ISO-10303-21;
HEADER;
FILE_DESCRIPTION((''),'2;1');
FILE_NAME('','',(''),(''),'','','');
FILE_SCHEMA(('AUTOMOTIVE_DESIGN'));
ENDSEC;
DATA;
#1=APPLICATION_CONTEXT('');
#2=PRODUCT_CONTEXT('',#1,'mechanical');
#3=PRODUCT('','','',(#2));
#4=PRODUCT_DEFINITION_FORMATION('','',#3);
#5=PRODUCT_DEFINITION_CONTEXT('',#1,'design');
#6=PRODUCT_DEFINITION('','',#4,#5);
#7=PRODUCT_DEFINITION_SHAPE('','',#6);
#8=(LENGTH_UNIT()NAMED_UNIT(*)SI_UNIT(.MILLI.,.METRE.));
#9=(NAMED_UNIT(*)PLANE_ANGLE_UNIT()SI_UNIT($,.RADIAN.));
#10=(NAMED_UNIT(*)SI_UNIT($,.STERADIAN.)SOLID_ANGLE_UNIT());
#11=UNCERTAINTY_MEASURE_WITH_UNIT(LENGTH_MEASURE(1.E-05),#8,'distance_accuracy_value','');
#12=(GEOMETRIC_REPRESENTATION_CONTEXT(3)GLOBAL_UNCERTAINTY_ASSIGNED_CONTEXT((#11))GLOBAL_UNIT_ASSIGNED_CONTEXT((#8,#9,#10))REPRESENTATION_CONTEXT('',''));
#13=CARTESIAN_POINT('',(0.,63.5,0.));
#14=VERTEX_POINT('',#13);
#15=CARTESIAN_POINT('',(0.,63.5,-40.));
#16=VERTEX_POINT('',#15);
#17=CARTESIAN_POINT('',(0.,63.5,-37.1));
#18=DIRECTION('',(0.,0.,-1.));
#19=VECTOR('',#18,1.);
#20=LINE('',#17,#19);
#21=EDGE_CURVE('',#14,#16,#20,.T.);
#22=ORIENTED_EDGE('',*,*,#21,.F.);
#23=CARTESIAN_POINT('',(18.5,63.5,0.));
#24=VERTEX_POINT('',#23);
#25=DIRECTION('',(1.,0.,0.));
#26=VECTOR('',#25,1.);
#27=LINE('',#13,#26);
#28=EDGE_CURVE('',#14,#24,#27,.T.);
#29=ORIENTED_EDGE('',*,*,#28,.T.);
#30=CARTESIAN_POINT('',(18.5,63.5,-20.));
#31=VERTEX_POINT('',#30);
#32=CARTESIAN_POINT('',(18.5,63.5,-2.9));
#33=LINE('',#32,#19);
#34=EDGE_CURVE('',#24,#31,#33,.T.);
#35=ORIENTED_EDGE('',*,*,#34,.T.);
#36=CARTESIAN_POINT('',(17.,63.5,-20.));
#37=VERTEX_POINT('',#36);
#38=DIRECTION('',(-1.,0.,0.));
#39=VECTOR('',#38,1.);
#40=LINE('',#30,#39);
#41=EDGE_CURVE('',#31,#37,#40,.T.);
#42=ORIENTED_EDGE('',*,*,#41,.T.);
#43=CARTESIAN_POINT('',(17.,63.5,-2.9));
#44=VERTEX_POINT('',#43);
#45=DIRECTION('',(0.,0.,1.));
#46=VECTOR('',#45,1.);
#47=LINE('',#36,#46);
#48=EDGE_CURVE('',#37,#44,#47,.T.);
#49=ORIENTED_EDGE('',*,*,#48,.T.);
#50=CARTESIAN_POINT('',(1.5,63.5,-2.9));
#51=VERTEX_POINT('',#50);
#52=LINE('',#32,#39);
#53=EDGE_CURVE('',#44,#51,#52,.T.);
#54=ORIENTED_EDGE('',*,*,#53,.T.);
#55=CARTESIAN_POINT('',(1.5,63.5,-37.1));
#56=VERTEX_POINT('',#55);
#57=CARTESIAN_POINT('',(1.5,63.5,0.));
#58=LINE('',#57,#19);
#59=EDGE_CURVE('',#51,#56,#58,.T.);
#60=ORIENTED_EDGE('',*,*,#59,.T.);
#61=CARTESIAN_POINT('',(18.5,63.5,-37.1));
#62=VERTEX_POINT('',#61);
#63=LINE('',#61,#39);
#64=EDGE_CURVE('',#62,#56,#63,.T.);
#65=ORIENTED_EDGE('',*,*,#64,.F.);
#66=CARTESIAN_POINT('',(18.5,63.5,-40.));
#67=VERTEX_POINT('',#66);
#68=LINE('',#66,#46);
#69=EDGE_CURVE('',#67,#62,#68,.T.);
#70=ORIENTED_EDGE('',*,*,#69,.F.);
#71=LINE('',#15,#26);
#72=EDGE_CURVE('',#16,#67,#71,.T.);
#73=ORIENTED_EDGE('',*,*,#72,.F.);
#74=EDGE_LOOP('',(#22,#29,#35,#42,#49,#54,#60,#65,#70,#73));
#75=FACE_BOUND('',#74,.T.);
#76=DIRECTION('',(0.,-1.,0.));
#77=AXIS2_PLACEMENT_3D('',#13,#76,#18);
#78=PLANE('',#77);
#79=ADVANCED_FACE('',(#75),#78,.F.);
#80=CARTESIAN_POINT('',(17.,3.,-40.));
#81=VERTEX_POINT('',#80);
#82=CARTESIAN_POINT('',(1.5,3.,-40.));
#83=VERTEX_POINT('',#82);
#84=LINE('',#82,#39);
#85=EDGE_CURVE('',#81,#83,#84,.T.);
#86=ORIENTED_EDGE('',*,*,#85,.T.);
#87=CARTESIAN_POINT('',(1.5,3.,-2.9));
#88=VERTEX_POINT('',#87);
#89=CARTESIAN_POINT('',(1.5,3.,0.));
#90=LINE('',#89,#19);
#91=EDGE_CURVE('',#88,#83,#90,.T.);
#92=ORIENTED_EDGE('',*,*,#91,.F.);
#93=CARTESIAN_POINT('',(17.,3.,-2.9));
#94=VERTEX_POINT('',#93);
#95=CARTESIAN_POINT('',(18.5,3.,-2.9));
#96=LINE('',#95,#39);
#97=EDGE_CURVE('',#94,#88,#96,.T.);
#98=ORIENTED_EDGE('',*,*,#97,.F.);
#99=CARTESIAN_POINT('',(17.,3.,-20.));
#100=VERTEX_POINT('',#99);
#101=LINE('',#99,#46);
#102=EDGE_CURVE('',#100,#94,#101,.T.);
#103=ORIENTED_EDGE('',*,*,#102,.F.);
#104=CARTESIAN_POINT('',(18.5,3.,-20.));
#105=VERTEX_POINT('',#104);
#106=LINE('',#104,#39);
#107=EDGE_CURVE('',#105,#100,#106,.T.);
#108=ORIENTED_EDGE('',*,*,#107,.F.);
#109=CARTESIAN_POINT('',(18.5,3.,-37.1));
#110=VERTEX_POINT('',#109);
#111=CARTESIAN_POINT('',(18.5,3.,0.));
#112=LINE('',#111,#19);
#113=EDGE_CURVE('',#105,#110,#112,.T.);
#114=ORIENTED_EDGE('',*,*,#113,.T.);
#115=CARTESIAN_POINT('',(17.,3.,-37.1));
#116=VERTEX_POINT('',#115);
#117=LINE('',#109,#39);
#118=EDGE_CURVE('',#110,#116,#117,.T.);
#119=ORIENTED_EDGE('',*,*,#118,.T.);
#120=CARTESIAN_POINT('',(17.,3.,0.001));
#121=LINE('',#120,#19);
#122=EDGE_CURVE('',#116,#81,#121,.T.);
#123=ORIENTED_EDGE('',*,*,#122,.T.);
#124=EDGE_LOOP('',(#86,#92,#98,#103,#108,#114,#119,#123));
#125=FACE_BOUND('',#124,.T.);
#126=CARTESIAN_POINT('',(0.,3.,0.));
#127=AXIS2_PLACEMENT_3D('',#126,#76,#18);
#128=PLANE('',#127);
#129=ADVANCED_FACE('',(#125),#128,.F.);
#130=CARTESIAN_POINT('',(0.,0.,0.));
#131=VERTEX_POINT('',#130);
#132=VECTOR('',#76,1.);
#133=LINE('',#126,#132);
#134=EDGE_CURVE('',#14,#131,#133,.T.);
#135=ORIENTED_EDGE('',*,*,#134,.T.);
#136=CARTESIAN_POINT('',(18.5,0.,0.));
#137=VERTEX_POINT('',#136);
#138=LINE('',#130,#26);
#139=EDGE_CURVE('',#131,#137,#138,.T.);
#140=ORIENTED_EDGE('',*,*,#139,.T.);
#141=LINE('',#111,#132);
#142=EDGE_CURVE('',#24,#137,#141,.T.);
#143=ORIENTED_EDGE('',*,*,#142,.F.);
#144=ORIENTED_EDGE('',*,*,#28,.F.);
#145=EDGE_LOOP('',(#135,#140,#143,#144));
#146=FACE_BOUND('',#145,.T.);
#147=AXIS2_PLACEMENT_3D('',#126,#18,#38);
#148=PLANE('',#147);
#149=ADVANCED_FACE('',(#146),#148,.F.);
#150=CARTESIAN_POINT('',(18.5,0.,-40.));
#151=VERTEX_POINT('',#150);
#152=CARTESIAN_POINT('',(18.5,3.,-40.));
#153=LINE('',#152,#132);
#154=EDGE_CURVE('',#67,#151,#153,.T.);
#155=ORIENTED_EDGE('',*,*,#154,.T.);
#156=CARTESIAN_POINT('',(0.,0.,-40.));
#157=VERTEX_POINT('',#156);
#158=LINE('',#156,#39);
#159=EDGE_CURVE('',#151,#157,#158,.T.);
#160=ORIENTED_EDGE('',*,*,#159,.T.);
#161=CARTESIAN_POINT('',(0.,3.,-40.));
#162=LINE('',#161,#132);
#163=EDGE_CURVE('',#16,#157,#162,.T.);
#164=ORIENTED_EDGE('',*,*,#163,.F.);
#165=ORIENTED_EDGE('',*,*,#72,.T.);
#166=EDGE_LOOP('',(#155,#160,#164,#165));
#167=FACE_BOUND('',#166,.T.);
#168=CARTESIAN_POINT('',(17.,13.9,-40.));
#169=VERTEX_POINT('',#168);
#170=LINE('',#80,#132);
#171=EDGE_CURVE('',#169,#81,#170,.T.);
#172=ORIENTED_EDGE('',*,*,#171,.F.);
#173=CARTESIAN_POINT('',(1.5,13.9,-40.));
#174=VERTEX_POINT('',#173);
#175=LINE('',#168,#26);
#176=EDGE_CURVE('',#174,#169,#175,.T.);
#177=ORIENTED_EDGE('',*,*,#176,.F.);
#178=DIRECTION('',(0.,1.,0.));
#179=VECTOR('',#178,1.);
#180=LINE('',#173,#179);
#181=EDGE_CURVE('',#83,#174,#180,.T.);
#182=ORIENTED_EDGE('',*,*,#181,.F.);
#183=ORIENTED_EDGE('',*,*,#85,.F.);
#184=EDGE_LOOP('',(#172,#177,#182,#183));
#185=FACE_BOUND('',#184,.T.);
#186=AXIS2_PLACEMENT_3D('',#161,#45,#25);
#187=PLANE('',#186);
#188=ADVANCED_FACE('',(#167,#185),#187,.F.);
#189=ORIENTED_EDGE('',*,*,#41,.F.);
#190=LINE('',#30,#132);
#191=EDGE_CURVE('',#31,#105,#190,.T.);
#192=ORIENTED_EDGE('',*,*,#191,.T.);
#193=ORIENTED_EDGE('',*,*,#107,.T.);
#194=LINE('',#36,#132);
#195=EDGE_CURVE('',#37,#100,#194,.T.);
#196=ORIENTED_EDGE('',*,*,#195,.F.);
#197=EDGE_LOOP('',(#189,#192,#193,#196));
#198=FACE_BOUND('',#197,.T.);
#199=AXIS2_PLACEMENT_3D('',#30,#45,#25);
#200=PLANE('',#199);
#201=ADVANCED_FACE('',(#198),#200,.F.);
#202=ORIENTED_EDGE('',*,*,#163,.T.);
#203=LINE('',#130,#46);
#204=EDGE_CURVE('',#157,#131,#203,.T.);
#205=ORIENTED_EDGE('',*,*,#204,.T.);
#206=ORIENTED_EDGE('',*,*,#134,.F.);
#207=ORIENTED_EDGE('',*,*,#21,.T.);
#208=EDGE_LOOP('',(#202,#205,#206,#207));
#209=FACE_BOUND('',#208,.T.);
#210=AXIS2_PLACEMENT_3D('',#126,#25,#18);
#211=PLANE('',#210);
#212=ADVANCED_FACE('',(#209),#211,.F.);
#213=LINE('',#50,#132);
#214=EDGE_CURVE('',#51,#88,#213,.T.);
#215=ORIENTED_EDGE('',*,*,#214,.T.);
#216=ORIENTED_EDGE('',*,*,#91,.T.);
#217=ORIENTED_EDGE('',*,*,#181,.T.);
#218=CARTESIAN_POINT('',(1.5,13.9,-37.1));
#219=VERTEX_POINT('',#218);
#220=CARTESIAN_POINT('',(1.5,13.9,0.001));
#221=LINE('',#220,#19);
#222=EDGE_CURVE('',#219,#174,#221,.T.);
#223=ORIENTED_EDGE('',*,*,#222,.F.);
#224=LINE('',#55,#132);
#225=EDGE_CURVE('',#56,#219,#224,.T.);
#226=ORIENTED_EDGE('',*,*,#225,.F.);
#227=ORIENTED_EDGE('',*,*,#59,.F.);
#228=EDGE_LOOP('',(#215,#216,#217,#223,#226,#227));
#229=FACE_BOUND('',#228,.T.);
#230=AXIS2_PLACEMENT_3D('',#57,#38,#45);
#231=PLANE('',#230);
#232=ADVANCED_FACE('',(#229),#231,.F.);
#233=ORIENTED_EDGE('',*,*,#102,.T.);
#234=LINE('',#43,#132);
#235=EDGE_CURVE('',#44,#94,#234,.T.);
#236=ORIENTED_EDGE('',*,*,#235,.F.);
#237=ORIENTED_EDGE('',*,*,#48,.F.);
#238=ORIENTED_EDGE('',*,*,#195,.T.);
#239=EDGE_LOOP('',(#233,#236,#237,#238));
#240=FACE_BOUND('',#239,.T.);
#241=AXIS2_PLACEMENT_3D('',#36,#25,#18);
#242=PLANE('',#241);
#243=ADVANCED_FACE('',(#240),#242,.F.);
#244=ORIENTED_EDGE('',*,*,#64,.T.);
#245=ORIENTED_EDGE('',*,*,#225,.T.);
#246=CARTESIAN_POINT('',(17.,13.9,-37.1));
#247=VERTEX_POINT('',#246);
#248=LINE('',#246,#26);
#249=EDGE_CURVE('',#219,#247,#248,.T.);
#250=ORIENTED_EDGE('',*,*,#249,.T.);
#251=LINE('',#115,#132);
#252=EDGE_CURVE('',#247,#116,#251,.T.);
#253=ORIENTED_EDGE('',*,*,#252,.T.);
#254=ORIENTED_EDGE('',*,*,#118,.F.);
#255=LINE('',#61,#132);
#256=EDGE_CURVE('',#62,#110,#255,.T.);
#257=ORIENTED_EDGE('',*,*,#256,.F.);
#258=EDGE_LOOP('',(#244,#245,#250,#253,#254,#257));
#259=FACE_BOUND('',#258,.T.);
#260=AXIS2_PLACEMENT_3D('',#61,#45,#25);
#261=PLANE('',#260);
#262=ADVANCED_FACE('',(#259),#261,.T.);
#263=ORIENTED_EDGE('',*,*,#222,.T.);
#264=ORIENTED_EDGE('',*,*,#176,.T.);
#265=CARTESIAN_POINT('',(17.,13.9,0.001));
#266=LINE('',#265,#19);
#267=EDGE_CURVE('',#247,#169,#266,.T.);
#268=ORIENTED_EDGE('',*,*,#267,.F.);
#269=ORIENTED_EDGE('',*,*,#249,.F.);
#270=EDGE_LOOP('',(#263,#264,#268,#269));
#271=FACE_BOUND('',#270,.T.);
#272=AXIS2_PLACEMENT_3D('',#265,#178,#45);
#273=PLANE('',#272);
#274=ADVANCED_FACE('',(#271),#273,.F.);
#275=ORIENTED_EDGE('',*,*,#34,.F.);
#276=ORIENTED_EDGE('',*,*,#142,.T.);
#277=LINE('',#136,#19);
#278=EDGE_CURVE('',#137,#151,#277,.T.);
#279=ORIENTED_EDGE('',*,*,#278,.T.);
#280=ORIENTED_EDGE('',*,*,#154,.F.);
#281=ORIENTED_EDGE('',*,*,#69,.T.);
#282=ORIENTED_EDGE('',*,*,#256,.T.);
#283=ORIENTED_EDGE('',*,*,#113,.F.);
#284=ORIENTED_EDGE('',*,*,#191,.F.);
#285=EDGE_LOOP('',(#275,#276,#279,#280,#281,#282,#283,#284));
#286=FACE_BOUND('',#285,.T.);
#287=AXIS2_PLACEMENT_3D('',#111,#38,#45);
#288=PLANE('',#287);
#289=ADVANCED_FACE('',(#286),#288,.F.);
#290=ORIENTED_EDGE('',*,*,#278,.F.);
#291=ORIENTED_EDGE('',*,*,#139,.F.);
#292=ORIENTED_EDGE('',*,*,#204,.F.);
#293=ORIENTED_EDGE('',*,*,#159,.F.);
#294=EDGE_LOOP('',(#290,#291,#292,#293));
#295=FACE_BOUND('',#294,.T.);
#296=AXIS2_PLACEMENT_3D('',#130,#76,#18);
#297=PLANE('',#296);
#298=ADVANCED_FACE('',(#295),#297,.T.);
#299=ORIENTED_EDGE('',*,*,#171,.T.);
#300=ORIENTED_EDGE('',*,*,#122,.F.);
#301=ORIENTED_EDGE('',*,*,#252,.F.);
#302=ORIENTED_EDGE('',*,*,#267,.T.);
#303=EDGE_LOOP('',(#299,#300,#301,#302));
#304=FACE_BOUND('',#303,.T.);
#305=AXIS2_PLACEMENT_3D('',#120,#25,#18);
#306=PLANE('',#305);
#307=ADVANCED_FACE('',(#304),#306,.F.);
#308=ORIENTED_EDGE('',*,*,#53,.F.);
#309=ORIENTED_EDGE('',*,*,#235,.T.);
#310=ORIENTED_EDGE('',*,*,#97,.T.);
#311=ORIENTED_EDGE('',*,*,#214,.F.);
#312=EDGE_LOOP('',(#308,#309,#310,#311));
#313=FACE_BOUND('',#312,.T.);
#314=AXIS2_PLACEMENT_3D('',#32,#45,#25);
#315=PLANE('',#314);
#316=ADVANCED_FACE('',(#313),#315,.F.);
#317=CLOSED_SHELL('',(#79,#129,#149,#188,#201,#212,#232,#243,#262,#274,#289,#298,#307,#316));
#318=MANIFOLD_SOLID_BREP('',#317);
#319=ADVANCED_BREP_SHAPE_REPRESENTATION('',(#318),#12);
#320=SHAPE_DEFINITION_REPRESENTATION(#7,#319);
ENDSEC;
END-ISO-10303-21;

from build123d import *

# Parameters (mm, degrees)
SKETCH1_W           = 18.5
SKETCH1_H           = 40
BOSS_EXTRUDE1_DEPTH = 3
SKETCH2_W           = 1.5
SKETCH2_H           = 17.1
BOSS_EXTRUDE2_DEPTH = 60.5
CUT_EXTRUDE1_REACH  = 79.295
SKETCH4_W           = 15.5
SKETCH4_H           = 10.9


with BuildPart() as part:
    # Sketch1 → Boss-Extrude1 (new body)
    with BuildSketch(Plane(origin=(0, 0, 0), x_dir=(1, 0, 0), z_dir=(0, 1, 0))):
        with Locations((9.25, 20)):
            Rectangle(SKETCH1_W, SKETCH1_H)
    extrude(amount=BOSS_EXTRUDE1_DEPTH)

    # Sketch2 → Boss-Extrude2 (add)
    with BuildSketch(Plane(origin=(0, 3, 0), x_dir=(1, 0, 0), z_dir=(0, 1, 0))):
        Polygon((18.5, 40), (0, 40), (0, 37.1), (1.5, 37.1), (18.5, 37.1), align=None)
        Polygon((1.5, 37.1), (0, 37.1), (0, 0), (1.5, 0), (1.5, 2.9), align=None)
        Polygon((17, 2.9), (1.5, 2.9), (1.5, 0), (18.5, 0), (18.5, 2.9), align=None)
        with Locations((17.75, 11.45)):
            Rectangle(SKETCH2_W, SKETCH2_H)
    extrude(amount=BOSS_EXTRUDE2_DEPTH)

    # Sketch4 → Cut-Extrude1 (cut, up to next)
    with BuildSketch(Plane(origin=(0, 0, -40), x_dir=(-1, 0, 0), z_dir=(0, 0, -1)), mode=Mode.PRIVATE) as cut_extrude1_sk1:
        with Locations((-9.25, 8.45)):
            Rectangle(SKETCH4_W, SKETCH4_H)
    cut_extrude1_tool1 = extrude(cut_extrude1_sk1.sketch, amount=-CUT_EXTRUDE1_REACH, mode=Mode.PRIVATE) & part.part
    add(cut_extrude1_tool1.solids().sort_by_distance((9.25, 8.45, -40))[0], mode=Mode.SUBTRACT)


solid = part.part
